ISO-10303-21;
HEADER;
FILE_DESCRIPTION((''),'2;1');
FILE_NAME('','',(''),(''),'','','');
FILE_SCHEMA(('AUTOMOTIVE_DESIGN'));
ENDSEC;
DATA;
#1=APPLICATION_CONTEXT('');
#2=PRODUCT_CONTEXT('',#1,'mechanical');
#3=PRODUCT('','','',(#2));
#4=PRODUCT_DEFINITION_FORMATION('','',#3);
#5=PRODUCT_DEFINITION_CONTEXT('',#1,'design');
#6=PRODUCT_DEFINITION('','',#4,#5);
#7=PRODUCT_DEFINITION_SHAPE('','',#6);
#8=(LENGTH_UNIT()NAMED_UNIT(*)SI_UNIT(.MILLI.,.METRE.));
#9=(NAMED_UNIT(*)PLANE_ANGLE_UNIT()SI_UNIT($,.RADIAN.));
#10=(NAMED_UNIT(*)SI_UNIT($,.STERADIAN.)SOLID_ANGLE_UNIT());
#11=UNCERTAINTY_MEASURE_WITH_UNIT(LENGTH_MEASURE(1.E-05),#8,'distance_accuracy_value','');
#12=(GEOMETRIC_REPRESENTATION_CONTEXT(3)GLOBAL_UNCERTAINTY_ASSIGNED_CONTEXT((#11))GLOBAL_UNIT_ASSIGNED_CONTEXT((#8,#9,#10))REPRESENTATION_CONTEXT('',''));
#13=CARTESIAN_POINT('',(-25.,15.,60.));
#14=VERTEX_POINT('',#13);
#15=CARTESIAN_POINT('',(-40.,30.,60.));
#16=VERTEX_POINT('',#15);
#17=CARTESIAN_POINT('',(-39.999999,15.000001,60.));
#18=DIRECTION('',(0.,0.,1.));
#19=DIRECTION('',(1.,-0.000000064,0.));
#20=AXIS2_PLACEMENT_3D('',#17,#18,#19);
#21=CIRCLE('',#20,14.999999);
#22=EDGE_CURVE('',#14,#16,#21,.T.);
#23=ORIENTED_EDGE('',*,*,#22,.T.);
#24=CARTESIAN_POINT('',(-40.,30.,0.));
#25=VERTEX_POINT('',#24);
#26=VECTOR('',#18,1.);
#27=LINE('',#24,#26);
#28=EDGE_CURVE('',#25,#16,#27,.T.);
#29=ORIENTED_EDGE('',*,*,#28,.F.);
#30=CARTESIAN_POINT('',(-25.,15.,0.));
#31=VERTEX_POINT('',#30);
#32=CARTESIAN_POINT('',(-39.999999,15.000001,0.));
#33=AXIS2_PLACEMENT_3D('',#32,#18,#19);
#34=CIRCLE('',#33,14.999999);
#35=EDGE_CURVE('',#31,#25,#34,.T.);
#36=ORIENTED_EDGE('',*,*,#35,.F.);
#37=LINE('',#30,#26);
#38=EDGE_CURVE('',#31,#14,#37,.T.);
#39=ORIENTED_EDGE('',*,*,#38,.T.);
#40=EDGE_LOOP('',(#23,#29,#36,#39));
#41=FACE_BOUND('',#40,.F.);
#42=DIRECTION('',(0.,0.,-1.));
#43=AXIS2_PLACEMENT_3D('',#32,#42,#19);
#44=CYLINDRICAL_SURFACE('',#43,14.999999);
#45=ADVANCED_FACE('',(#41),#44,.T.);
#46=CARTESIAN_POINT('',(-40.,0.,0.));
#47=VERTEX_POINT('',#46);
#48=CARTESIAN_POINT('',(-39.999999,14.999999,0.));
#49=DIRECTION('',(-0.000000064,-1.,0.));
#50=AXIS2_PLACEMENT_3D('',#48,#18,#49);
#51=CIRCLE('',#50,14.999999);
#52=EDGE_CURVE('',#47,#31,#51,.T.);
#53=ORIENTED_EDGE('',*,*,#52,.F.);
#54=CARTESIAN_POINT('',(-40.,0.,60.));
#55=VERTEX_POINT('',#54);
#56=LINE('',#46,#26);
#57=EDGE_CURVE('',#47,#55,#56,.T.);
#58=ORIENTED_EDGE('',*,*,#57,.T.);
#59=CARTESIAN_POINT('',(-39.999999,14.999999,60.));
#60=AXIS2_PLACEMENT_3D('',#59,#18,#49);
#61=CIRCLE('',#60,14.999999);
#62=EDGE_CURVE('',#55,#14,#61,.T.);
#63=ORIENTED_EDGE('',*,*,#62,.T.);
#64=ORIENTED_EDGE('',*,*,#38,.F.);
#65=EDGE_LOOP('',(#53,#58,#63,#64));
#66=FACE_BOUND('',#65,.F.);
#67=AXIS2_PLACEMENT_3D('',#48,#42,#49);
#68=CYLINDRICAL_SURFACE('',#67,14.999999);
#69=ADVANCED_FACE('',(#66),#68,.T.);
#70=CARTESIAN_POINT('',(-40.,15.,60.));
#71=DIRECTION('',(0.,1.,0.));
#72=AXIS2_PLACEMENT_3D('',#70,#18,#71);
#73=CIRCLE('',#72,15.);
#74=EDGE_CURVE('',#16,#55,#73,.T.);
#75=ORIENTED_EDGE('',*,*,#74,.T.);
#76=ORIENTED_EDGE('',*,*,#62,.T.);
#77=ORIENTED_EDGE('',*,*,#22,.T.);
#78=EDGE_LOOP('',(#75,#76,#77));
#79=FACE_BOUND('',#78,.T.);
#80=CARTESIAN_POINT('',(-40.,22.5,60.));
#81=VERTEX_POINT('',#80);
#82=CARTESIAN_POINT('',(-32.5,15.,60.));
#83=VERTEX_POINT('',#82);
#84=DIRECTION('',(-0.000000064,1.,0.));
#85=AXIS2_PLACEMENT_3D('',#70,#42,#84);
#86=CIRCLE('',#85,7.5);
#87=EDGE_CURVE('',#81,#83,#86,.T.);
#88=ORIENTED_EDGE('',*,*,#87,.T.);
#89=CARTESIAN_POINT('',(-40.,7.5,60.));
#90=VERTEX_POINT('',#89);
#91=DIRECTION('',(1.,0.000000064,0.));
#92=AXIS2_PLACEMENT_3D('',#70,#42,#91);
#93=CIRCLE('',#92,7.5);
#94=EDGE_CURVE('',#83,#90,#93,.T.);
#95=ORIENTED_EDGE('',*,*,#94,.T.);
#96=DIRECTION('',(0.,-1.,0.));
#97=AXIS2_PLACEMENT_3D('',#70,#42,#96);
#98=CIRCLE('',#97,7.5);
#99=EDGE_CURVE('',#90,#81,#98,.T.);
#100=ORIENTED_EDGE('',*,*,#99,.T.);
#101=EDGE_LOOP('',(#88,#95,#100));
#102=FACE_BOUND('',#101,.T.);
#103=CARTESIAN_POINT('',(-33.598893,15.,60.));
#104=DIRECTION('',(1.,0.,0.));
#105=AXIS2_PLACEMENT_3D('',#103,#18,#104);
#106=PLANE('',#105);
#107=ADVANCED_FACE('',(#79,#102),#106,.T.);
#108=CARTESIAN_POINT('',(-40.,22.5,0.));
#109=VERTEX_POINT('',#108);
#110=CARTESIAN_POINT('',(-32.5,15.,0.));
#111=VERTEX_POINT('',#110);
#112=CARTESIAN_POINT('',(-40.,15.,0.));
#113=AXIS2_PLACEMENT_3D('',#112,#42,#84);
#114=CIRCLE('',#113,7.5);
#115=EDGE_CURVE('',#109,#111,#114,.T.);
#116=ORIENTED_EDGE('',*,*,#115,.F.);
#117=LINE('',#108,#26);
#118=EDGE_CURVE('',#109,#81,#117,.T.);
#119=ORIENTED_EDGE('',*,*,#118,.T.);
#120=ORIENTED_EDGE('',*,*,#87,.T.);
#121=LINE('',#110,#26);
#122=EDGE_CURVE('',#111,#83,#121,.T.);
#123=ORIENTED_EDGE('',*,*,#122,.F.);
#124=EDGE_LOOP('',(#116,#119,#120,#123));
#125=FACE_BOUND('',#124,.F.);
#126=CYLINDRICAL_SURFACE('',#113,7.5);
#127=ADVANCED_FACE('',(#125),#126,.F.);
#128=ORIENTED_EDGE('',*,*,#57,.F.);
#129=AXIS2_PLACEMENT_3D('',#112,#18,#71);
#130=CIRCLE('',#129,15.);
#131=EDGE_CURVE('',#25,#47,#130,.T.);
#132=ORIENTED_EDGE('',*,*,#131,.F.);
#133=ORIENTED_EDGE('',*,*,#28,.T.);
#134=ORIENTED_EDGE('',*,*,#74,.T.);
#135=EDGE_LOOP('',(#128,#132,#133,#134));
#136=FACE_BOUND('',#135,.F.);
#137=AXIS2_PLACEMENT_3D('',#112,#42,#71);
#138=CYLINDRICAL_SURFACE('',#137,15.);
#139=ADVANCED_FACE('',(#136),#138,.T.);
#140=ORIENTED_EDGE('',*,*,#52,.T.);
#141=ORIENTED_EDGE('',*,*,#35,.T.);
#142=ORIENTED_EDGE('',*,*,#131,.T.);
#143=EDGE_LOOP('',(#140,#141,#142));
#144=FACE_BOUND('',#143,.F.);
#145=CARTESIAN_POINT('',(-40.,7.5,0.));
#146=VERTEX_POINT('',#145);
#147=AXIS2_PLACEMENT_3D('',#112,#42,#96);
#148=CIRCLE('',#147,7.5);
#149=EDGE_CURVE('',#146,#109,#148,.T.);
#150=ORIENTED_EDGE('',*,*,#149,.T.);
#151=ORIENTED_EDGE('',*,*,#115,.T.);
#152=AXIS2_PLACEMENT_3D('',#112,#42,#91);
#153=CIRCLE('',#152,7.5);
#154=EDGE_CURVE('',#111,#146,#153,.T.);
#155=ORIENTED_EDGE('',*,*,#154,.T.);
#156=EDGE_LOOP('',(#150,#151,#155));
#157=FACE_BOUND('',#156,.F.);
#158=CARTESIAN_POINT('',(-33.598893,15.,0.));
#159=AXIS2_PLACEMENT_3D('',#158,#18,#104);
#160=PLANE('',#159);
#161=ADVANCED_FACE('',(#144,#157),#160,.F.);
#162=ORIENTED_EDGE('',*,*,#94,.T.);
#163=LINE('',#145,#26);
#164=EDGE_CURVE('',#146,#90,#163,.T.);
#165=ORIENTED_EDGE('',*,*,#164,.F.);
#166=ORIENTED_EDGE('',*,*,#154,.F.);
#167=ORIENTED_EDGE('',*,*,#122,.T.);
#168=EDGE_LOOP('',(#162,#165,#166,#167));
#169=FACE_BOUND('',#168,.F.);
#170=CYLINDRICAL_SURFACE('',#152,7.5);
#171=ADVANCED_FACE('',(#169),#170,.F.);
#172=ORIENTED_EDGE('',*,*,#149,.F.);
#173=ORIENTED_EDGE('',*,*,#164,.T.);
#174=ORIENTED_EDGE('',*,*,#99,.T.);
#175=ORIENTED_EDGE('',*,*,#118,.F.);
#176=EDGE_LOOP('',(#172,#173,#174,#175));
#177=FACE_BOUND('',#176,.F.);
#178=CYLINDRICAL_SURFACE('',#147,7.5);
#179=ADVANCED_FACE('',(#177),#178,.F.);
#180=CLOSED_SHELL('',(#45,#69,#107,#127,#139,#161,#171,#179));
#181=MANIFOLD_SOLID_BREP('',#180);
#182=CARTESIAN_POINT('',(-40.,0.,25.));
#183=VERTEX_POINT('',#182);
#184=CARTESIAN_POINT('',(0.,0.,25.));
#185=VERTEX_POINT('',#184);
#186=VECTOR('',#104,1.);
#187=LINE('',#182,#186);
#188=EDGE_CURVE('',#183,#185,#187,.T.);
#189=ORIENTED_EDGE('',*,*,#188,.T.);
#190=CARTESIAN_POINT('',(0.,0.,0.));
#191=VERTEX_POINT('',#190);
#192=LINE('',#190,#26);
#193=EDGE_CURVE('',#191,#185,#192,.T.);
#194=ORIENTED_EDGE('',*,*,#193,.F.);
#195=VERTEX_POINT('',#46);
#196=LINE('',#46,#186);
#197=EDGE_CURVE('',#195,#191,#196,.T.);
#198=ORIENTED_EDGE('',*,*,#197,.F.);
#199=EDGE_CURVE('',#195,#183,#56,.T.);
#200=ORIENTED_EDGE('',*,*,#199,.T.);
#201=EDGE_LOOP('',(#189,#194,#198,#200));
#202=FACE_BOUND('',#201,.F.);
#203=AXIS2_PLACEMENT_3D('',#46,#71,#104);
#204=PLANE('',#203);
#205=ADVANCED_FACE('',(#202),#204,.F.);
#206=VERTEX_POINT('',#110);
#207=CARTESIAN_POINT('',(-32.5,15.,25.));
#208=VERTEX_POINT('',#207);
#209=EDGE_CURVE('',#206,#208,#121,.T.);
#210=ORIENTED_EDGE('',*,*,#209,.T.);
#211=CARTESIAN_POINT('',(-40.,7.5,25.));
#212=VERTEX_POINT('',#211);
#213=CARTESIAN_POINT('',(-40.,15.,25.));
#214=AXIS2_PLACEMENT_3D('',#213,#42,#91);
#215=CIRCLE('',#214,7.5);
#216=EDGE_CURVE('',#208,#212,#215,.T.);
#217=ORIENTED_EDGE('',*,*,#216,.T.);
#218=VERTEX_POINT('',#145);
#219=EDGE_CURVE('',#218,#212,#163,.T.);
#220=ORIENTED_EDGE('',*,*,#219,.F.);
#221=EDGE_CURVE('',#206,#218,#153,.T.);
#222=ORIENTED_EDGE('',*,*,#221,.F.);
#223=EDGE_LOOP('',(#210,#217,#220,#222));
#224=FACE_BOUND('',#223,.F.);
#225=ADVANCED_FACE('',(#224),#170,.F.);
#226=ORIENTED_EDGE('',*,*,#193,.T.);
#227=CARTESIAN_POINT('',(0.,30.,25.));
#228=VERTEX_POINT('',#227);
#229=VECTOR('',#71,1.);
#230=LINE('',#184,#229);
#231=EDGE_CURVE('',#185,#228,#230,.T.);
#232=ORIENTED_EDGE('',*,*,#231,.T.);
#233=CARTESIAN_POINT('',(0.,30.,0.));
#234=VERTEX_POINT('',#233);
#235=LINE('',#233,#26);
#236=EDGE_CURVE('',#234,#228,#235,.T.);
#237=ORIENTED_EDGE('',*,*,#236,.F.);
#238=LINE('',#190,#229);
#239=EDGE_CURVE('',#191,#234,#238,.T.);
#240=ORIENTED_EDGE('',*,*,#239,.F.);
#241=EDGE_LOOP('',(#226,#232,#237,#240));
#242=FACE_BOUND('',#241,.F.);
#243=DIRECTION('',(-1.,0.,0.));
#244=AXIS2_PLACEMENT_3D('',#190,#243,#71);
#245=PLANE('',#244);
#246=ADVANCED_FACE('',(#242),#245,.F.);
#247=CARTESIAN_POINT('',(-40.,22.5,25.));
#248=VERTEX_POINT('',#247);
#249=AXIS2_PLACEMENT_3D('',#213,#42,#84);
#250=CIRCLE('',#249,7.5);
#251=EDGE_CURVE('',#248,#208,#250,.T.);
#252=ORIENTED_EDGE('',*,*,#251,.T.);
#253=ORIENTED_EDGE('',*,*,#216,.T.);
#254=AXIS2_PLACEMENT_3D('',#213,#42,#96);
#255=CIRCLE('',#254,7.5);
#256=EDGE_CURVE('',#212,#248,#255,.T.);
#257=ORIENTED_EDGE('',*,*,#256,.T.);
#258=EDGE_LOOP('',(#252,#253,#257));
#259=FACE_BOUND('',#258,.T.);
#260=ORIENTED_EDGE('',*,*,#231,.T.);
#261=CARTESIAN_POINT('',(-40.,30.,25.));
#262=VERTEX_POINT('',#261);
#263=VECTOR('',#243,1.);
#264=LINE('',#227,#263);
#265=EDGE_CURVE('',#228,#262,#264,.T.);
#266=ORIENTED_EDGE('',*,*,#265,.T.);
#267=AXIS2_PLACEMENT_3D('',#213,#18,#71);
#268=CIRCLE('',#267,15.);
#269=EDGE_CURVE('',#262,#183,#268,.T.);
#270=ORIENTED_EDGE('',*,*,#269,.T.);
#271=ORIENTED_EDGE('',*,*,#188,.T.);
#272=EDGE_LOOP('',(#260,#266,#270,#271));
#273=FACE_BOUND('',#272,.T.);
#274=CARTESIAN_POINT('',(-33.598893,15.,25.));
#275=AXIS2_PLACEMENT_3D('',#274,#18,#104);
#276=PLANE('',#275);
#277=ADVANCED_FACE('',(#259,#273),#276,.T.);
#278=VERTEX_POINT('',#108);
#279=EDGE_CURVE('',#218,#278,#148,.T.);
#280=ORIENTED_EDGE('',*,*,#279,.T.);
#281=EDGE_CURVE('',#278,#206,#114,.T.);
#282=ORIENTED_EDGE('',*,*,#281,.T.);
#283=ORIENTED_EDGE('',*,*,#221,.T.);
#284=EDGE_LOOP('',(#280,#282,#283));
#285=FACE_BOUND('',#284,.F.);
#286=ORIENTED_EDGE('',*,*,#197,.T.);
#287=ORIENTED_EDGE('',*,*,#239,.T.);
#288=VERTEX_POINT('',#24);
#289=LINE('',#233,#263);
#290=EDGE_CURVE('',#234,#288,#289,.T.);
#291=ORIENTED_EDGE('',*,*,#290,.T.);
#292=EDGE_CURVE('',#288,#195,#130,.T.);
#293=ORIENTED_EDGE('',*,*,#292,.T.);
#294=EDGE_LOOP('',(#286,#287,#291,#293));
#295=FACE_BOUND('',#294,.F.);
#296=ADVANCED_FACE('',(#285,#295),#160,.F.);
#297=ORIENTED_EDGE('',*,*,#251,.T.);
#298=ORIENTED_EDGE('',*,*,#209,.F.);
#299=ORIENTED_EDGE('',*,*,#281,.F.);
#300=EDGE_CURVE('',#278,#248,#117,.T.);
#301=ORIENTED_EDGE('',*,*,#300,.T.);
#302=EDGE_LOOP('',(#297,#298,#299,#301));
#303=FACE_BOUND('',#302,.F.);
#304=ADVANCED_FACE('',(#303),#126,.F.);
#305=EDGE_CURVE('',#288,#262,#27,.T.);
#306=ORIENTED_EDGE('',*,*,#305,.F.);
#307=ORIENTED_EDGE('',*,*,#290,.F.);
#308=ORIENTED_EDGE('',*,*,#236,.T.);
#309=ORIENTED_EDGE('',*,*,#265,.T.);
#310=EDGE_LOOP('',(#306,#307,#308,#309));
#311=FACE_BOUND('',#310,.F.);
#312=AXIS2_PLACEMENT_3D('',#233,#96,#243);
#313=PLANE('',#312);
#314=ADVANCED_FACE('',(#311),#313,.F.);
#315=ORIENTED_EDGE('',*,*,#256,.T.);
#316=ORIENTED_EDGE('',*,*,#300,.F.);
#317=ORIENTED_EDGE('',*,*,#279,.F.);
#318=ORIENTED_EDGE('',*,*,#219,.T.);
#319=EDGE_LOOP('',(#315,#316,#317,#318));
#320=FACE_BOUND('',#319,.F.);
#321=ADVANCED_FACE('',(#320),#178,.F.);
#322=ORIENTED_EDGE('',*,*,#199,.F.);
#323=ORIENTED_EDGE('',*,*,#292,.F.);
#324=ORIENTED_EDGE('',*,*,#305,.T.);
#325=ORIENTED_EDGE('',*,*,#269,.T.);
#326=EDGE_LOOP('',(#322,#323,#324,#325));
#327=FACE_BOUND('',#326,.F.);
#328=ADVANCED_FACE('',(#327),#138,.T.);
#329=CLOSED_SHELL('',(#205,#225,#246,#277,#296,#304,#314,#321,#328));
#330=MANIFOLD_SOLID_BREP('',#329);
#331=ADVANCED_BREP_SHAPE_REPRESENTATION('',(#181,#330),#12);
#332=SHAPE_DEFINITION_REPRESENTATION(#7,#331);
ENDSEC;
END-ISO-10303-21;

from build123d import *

# Parameters (mm, degrees)
F1_DEPTH = 60
F2_DEPTH = 25


with BuildPart() as f1:
    # F0 (on Top) → F1 (new body)
    with BuildSketch(Plane.XY):
        with BuildLine():
            Line((-40, 7.5), (-40, 0))
            ThreePointArc((-40, 0), (-29.393398, 4.393398), (-25, 15))
            ThreePointArc((-25, 15), (-29.393398, 25.606602), (-40, 30))
            Line((-40, 30), (-40, 22.5))
            ThreePointArc((-40, 22.5), (-34.696699, 20.303301), (-32.5, 15))
            ThreePointArc((-32.5, 15), (-34.696699, 9.696699), (-40, 7.5))
        make_face()
        with BuildLine():
            ThreePointArc((-40, 30), (-55, 15), (-40, 0))
            Line((-40, 0), (-40, 7.5))
            ThreePointArc((-40, 7.5), (-47.5, 15), (-40, 22.5))
            Line((-40, 22.5), (-40, 30))
        make_face()
    extrude(amount=F1_DEPTH)


with BuildPart() as f2:
    # F0 (on Top) → F2 (new body)
    with BuildSketch(Plane.XY):
        with BuildLine():
            Line((-40, 7.5), (-40, 0))
            ThreePointArc((-40, 0), (-29.393398, 4.393398), (-25, 15))
            ThreePointArc((-25, 15), (-29.393398, 25.606602), (-40, 30))
            Line((-40, 30), (-40, 22.5))
            ThreePointArc((-40, 22.5), (-34.696699, 20.303301), (-32.5, 15))
            ThreePointArc((-32.5, 15), (-34.696699, 9.696699), (-40, 7.5))
        make_face()
        with BuildLine():
            ThreePointArc((-40, 30), (-55, 15), (-40, 0))
            Line((-40, 0), (-40, 7.5))
            ThreePointArc((-40, 7.5), (-47.5, 15), (-40, 22.5))
            Line((-40, 22.5), (-40, 30))
        make_face()
        with BuildLine():
            Line((-40, 0), (0, 0))
            Line((0, 0), (0, 30))
            Line((0, 30), (-40, 30))
            ThreePointArc((-40, 30), (-29.393398, 25.606602), (-25, 15))
            ThreePointArc((-25, 15), (-29.393398, 4.393398), (-40, 0))
        make_face()
    extrude(amount=F2_DEPTH)


solid = Compound([f1.part, f2.part])
